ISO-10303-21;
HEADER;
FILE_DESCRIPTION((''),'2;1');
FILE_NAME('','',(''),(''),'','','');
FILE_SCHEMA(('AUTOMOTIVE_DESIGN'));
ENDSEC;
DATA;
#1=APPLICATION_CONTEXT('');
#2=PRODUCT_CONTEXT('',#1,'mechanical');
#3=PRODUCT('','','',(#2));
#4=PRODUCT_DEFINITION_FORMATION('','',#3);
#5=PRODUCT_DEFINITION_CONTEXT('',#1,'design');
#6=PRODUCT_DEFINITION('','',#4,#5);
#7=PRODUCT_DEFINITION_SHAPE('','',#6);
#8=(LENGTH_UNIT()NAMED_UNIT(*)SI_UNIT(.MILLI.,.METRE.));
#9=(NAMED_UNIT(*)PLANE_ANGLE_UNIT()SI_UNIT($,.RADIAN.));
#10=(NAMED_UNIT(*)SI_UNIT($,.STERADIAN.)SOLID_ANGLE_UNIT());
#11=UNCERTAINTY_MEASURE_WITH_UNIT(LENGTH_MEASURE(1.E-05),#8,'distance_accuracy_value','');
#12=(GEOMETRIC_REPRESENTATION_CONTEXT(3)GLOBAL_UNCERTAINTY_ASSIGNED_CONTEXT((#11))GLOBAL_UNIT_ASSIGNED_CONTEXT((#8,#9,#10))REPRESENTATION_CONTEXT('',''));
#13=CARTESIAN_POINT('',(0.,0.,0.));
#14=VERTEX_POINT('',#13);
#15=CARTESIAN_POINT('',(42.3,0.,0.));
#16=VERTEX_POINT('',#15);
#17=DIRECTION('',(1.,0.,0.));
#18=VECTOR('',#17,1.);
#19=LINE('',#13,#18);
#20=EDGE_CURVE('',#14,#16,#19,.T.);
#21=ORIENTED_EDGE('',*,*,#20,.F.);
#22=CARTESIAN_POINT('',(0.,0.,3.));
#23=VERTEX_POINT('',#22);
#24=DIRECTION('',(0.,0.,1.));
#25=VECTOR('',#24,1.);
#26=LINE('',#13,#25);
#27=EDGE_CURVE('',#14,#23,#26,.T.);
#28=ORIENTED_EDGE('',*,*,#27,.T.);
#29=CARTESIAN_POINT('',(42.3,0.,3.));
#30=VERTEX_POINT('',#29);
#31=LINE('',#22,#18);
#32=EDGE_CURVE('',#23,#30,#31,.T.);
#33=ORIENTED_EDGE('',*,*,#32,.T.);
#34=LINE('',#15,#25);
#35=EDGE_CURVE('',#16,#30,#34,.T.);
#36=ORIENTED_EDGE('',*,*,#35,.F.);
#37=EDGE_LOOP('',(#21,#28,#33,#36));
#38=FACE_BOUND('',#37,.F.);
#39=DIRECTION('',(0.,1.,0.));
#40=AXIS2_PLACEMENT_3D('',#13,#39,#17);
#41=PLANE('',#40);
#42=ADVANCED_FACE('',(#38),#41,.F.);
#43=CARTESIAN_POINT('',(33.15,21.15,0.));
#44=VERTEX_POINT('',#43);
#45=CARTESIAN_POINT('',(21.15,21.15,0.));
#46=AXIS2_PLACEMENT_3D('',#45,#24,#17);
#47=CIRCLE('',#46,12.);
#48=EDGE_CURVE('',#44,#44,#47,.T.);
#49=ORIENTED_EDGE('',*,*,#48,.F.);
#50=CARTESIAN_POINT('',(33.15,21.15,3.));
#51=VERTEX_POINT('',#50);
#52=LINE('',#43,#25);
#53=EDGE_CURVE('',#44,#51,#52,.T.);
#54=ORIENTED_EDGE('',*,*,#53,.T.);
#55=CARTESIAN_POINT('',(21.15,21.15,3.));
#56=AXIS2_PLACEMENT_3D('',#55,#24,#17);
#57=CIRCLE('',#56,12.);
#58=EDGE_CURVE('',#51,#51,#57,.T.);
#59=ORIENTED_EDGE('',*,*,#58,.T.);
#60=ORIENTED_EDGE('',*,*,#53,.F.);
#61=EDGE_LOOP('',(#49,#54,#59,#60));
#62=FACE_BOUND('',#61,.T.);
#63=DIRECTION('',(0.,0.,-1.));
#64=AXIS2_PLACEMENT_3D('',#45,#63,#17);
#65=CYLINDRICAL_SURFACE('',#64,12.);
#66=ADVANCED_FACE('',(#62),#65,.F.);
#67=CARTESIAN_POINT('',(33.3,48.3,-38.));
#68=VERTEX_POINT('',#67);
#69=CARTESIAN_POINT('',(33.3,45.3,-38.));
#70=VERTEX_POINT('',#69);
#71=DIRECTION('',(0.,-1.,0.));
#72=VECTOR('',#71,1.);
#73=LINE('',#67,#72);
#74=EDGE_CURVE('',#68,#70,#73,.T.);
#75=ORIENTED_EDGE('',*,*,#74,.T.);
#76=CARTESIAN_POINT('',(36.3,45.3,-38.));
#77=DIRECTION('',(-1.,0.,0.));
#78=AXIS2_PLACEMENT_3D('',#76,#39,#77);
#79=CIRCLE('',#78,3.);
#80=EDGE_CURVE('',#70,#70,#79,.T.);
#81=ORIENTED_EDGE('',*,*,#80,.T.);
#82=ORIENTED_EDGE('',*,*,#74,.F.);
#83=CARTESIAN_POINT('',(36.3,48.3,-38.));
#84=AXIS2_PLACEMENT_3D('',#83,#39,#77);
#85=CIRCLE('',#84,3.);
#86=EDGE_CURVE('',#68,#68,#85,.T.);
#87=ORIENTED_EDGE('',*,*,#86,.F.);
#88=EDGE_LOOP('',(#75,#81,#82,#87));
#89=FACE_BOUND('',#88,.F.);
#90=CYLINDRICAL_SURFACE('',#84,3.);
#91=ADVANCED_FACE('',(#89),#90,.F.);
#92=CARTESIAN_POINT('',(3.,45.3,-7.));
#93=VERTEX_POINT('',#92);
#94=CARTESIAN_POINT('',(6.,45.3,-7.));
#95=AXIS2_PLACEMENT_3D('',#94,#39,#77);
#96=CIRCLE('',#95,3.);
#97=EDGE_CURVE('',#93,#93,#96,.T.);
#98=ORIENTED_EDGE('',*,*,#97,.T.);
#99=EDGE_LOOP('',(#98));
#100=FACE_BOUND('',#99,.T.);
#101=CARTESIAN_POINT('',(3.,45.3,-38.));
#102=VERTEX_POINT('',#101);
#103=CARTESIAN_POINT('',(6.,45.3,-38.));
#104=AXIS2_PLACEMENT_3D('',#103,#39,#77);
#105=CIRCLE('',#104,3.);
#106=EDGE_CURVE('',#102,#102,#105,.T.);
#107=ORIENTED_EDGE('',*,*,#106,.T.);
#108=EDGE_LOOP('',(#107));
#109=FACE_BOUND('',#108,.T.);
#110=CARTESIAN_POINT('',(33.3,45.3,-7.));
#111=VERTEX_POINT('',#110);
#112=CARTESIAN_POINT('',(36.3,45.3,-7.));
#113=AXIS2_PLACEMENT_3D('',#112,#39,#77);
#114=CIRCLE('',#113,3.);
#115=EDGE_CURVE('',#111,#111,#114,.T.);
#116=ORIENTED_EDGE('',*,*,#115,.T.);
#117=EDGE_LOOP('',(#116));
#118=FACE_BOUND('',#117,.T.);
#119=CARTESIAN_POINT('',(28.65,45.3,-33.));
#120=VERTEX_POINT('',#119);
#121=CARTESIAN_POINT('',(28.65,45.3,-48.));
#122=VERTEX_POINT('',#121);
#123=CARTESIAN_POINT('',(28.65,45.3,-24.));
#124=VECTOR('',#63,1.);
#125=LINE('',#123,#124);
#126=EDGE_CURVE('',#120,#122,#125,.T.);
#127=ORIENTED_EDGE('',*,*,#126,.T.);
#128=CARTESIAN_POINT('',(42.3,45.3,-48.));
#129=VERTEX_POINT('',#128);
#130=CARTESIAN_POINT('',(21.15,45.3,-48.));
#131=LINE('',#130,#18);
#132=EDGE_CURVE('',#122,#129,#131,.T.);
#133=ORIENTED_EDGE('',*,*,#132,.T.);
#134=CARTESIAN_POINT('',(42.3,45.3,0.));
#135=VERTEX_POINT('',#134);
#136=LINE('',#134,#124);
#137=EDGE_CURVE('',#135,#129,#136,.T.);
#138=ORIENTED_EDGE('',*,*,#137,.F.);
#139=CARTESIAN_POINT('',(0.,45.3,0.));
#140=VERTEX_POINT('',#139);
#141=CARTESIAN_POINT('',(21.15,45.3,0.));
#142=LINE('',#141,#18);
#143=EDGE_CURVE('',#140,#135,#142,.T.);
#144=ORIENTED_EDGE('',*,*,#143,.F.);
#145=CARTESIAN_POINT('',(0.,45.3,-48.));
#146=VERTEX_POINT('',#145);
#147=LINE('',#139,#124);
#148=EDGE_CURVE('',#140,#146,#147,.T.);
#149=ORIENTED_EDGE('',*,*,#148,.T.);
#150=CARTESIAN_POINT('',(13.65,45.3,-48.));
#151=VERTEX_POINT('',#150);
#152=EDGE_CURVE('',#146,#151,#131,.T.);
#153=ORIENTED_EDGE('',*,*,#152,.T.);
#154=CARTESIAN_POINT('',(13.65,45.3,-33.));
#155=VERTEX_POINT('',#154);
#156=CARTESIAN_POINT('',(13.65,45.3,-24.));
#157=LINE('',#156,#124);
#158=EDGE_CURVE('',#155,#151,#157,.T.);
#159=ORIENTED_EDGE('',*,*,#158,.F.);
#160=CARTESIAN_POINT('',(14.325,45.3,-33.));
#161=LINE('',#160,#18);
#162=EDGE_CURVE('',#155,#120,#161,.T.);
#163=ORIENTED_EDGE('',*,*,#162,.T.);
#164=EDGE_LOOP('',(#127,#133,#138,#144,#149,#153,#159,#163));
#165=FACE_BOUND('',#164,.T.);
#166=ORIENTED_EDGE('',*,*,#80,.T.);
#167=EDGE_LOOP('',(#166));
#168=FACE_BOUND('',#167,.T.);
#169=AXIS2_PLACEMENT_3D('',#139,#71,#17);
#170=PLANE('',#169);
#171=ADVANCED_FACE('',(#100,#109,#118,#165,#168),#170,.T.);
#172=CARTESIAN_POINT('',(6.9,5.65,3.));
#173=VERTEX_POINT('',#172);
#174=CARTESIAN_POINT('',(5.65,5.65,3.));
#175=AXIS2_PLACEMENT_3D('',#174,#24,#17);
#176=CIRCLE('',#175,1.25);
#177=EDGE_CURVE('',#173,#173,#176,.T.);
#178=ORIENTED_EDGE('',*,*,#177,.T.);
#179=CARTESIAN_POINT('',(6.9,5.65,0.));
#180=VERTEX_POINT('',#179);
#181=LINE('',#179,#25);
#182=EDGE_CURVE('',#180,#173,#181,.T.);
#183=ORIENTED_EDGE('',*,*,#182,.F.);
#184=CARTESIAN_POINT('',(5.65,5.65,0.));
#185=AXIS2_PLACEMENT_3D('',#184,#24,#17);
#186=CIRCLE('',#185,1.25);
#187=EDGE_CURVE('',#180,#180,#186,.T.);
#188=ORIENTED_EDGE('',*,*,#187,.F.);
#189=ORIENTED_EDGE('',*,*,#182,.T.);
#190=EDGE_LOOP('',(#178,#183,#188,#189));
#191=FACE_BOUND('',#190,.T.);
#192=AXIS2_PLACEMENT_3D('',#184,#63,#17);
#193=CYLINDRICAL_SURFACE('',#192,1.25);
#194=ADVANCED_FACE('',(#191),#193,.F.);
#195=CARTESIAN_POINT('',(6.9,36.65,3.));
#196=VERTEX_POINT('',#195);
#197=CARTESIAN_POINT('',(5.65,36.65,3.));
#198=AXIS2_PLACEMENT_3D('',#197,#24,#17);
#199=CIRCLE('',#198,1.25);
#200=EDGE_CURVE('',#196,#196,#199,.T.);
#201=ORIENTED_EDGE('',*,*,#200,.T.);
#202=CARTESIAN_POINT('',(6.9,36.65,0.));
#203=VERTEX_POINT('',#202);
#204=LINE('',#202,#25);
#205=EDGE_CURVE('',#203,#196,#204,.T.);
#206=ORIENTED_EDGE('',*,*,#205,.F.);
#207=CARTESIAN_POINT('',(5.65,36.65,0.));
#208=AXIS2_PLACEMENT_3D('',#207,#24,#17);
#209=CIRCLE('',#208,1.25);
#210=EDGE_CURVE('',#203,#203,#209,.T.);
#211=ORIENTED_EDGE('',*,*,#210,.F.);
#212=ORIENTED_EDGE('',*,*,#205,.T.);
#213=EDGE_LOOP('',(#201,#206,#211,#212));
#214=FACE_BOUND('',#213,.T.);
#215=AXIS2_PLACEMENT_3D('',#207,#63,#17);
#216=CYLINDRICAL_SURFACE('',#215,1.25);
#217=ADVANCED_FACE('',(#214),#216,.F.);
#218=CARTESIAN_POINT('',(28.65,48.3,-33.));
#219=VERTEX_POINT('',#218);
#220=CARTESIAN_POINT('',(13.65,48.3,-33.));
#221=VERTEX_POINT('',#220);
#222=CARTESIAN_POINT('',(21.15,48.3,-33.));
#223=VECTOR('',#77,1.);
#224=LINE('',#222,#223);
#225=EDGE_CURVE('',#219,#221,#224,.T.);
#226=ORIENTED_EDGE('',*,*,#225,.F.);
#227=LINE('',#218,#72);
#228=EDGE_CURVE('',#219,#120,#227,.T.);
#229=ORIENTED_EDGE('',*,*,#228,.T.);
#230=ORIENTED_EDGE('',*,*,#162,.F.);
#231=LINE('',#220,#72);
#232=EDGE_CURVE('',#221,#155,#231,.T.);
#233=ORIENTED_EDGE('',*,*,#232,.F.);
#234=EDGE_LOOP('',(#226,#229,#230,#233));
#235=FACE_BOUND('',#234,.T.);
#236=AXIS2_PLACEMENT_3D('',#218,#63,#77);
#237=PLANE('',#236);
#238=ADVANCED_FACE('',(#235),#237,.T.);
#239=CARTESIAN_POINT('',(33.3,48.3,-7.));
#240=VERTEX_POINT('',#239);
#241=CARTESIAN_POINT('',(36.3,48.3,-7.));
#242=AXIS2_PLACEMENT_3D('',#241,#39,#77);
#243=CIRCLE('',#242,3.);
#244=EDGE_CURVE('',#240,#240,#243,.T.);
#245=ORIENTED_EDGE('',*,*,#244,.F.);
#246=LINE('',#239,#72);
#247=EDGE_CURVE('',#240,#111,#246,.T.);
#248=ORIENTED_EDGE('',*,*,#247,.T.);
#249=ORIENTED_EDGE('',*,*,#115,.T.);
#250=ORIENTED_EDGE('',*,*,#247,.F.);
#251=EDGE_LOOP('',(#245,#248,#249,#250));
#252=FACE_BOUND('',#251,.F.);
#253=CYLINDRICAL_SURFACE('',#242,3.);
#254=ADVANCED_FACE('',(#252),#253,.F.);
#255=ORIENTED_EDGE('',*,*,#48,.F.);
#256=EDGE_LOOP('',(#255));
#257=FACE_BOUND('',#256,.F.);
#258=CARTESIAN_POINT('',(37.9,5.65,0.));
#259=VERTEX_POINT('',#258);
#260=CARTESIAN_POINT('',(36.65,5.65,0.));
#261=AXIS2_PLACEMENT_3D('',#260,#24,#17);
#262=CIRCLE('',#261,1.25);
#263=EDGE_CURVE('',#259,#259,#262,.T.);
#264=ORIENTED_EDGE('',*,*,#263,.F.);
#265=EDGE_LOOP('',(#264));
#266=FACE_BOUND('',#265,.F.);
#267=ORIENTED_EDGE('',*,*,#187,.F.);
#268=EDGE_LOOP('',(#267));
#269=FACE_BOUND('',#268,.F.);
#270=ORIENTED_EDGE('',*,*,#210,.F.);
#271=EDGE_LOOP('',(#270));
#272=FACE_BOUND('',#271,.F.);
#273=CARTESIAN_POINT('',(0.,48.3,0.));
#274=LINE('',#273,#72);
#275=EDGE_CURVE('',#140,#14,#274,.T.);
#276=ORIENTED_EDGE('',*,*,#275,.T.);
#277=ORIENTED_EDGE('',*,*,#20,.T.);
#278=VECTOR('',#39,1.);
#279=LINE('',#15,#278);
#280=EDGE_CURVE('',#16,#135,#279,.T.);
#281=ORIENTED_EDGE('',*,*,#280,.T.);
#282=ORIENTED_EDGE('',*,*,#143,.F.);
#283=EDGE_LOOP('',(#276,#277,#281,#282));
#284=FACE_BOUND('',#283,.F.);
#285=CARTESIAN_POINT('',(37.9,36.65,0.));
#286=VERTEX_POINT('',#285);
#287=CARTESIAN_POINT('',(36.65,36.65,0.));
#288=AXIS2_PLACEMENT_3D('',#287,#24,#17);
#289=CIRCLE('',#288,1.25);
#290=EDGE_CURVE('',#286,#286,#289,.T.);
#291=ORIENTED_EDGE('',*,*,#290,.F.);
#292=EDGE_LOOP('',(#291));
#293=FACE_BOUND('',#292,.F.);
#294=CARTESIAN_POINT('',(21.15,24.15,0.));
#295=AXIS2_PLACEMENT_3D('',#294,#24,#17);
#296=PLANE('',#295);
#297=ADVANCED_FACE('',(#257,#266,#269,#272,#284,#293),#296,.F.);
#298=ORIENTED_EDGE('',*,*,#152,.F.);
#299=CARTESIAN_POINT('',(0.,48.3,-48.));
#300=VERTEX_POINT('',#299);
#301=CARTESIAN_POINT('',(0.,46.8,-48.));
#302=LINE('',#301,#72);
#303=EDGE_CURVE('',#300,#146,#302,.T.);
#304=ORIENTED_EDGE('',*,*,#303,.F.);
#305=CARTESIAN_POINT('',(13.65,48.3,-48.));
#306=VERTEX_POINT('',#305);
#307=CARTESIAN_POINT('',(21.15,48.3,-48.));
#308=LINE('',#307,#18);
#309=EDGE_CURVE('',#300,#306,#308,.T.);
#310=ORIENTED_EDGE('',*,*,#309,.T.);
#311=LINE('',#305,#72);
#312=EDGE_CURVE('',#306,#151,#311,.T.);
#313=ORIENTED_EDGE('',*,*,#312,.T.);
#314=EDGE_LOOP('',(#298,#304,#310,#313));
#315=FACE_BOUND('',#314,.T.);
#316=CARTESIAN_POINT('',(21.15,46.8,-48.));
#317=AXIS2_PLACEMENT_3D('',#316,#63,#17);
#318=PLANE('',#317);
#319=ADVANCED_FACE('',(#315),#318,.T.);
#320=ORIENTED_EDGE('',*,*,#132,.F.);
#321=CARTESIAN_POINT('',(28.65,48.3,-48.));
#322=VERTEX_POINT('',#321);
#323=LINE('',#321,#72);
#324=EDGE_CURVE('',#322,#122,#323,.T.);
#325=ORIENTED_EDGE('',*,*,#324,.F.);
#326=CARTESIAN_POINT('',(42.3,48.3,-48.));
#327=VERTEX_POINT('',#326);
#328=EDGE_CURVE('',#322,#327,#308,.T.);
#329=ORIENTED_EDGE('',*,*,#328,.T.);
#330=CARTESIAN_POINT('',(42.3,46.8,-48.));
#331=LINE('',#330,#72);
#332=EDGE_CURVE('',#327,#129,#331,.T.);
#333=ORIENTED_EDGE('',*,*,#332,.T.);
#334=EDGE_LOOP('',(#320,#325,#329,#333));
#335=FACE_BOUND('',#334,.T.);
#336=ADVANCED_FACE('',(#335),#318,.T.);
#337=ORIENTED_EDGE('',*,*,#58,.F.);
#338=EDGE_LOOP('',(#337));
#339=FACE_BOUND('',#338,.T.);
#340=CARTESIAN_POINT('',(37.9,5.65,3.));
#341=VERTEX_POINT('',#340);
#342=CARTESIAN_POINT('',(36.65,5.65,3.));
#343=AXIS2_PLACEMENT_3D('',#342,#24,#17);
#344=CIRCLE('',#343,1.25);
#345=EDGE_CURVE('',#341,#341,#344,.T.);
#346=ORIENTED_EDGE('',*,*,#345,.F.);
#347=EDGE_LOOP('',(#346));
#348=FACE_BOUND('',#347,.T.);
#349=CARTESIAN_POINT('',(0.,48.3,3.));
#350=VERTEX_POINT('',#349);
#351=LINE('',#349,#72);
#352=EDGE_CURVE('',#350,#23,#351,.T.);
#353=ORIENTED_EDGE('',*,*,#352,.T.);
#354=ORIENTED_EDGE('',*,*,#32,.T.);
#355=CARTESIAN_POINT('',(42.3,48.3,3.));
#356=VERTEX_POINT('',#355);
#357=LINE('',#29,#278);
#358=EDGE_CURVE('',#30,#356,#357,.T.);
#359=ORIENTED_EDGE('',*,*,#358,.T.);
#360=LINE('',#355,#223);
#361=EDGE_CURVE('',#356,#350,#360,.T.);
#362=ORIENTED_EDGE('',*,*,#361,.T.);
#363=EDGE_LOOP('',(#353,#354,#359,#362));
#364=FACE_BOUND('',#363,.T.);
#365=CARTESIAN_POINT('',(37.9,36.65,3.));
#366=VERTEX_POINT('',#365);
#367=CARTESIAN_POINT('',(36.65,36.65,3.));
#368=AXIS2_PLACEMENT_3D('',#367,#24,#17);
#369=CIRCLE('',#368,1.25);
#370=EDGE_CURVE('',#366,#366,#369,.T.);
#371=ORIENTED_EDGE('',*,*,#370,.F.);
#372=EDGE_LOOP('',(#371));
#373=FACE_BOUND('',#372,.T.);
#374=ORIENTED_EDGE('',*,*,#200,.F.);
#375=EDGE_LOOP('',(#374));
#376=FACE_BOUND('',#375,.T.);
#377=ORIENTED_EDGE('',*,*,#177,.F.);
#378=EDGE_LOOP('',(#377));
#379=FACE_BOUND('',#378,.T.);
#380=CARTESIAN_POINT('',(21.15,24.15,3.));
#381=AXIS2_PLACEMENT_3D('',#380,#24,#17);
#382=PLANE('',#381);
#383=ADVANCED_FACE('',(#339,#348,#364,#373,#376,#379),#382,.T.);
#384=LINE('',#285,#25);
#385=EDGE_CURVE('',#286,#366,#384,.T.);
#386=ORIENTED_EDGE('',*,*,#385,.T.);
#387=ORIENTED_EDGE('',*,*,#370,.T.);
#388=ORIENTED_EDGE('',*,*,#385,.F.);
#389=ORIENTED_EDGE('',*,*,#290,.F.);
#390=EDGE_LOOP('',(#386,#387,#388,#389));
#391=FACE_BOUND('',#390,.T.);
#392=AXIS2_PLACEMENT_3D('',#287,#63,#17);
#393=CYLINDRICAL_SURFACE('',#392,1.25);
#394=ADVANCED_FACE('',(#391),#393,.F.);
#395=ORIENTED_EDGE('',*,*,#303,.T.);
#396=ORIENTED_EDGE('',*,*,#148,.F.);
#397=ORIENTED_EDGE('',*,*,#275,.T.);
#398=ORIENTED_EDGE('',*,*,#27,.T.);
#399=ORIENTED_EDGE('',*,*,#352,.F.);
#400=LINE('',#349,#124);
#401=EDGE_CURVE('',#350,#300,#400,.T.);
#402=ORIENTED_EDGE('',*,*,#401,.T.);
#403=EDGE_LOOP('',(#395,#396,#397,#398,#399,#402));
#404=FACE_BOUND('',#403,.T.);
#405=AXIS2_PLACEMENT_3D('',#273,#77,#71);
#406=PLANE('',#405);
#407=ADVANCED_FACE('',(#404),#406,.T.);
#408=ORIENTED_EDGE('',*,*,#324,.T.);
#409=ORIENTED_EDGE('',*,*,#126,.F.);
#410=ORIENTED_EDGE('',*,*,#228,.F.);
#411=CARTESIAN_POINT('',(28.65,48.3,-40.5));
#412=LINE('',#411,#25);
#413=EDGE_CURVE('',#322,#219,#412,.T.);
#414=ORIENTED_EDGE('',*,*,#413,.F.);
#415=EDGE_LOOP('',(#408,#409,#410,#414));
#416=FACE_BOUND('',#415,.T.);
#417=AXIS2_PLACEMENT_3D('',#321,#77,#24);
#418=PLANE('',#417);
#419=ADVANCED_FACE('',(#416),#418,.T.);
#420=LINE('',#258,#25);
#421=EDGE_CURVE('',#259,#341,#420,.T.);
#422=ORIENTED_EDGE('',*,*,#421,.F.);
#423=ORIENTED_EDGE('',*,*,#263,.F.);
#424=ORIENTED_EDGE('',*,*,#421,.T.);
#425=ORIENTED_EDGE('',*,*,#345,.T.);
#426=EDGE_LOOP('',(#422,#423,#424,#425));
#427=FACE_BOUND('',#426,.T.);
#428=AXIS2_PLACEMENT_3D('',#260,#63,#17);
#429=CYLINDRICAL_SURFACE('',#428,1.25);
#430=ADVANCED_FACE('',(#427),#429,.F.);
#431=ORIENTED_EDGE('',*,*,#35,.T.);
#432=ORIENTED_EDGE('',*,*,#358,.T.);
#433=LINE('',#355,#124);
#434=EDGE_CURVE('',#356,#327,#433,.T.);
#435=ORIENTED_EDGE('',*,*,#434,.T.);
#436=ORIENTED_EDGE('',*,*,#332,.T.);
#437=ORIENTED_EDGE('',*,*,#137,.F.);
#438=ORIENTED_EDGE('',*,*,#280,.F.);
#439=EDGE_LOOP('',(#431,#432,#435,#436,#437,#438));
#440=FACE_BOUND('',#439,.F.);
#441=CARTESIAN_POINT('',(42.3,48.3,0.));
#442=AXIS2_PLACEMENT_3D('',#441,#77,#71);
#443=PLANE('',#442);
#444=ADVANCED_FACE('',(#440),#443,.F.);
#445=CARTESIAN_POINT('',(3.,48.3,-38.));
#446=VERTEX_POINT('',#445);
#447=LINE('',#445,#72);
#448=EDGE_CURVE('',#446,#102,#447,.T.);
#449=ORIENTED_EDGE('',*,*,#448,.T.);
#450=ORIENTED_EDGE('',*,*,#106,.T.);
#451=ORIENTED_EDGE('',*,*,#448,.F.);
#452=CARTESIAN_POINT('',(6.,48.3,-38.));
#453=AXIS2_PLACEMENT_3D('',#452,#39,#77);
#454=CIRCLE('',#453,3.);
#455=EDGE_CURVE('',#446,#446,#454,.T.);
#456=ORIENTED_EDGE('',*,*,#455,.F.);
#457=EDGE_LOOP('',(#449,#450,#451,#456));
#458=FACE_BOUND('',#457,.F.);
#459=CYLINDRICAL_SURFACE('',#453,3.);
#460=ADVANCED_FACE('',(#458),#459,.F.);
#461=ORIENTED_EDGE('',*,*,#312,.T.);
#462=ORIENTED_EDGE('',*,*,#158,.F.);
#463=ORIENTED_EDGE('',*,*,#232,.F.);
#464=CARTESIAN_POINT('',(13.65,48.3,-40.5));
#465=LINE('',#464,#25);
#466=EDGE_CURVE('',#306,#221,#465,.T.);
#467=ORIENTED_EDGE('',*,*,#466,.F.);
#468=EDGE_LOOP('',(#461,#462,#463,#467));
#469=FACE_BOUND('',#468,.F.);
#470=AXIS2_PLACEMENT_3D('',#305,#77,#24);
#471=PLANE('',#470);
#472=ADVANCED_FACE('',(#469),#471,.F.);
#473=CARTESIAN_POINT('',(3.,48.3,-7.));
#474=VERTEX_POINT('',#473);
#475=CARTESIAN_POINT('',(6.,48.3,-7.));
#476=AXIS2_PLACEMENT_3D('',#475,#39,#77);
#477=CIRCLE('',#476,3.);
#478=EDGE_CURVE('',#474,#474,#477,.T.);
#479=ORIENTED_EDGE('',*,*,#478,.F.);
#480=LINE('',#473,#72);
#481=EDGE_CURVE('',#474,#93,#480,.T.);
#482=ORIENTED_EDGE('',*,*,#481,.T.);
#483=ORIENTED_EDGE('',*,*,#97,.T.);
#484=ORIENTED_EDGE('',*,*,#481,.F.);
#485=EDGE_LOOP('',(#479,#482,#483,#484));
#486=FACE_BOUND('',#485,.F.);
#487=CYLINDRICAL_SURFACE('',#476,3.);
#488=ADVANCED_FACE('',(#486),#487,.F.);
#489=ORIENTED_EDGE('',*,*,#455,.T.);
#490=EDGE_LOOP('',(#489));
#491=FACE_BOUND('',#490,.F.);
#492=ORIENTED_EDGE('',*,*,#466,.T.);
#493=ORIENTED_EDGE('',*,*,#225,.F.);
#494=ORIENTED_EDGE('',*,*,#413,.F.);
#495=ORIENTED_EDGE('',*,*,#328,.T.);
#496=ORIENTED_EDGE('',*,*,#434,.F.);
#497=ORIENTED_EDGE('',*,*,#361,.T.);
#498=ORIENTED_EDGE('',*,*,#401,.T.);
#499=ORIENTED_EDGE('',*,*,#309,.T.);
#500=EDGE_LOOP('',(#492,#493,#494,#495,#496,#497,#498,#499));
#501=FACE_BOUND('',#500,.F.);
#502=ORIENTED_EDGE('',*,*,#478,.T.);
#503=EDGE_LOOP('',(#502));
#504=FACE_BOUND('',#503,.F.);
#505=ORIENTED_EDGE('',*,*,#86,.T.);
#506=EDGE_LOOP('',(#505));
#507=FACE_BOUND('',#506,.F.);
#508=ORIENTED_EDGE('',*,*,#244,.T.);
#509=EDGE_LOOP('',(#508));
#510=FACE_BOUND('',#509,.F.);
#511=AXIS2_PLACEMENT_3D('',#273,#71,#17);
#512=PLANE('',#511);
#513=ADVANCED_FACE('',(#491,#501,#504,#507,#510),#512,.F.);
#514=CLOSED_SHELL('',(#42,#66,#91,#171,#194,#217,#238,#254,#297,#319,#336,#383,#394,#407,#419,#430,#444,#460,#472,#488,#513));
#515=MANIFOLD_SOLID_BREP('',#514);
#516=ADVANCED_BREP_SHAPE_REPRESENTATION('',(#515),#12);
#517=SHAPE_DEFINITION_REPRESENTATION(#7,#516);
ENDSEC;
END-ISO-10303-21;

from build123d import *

# Parameters (mm, degrees)
SKETCH_R     = 1.25
SKETCH_R_2   = 12
PAD_DEPTH    = 3
SKETCH001_W  = 42.3
SKETCH001_H  = 3
PAD001_DEPTH = 48
SKETCH002_R  = 3
SKETCH002_W  = 15
SKETCH002_H  = 15
POCKET_DEPTH = 48.301


with BuildPart() as part:
    # Sketch → Pad (new body)
    with BuildSketch(Plane.XY):
        Polygon((0, 0), (42.3, 0), (42.3, 42.3), (42.3, 48.3), (0, 48.3), (0, 42.3), align=None)
        with Locations((5.65, 36.65)):
            Circle(SKETCH_R, mode=Mode.SUBTRACT)
        with Locations((36.65, 36.65)):
            Circle(SKETCH_R, mode=Mode.SUBTRACT)
        with Locations((5.65, 5.65)):
            Circle(SKETCH_R, mode=Mode.SUBTRACT)
        with Locations((36.65, 5.65)):
            Circle(SKETCH_R, mode=Mode.SUBTRACT)
        with Locations((21.15, 21.15)):
            Circle(SKETCH_R_2, mode=Mode.SUBTRACT)
    extrude(amount=PAD_DEPTH)

    # Sketch001 → Pad001 (new body)
    with BuildSketch(Plane(origin=(0, 0, 0), x_dir=(1, 0, 0), z_dir=(0, 0, -1))):
        with Locations((21.15, -46.8)):
            Rectangle(SKETCH001_W, SKETCH001_H)
    extrude(amount=PAD001_DEPTH)

    # Sketch002 → Pocket (cut, through all)
    with BuildSketch(Plane(origin=(0, 48.3, 0), x_dir=(-1, 0, 0), z_dir=(0, 1, 0))):
        with Locations((-36.3, -7)):
            Circle(SKETCH002_R)
        with Locations((-6, -7)):
            Circle(SKETCH002_R)
        with Locations((-36.3, -38)):
            Circle(SKETCH002_R)
        with Locations((-6, -38)):
            Circle(SKETCH002_R)
        with Locations((-21.15, -40.5)):
            Rectangle(SKETCH002_W, SKETCH002_H)
    extrude(amount=-POCKET_DEPTH, mode=Mode.SUBTRACT)


solid = part.part
